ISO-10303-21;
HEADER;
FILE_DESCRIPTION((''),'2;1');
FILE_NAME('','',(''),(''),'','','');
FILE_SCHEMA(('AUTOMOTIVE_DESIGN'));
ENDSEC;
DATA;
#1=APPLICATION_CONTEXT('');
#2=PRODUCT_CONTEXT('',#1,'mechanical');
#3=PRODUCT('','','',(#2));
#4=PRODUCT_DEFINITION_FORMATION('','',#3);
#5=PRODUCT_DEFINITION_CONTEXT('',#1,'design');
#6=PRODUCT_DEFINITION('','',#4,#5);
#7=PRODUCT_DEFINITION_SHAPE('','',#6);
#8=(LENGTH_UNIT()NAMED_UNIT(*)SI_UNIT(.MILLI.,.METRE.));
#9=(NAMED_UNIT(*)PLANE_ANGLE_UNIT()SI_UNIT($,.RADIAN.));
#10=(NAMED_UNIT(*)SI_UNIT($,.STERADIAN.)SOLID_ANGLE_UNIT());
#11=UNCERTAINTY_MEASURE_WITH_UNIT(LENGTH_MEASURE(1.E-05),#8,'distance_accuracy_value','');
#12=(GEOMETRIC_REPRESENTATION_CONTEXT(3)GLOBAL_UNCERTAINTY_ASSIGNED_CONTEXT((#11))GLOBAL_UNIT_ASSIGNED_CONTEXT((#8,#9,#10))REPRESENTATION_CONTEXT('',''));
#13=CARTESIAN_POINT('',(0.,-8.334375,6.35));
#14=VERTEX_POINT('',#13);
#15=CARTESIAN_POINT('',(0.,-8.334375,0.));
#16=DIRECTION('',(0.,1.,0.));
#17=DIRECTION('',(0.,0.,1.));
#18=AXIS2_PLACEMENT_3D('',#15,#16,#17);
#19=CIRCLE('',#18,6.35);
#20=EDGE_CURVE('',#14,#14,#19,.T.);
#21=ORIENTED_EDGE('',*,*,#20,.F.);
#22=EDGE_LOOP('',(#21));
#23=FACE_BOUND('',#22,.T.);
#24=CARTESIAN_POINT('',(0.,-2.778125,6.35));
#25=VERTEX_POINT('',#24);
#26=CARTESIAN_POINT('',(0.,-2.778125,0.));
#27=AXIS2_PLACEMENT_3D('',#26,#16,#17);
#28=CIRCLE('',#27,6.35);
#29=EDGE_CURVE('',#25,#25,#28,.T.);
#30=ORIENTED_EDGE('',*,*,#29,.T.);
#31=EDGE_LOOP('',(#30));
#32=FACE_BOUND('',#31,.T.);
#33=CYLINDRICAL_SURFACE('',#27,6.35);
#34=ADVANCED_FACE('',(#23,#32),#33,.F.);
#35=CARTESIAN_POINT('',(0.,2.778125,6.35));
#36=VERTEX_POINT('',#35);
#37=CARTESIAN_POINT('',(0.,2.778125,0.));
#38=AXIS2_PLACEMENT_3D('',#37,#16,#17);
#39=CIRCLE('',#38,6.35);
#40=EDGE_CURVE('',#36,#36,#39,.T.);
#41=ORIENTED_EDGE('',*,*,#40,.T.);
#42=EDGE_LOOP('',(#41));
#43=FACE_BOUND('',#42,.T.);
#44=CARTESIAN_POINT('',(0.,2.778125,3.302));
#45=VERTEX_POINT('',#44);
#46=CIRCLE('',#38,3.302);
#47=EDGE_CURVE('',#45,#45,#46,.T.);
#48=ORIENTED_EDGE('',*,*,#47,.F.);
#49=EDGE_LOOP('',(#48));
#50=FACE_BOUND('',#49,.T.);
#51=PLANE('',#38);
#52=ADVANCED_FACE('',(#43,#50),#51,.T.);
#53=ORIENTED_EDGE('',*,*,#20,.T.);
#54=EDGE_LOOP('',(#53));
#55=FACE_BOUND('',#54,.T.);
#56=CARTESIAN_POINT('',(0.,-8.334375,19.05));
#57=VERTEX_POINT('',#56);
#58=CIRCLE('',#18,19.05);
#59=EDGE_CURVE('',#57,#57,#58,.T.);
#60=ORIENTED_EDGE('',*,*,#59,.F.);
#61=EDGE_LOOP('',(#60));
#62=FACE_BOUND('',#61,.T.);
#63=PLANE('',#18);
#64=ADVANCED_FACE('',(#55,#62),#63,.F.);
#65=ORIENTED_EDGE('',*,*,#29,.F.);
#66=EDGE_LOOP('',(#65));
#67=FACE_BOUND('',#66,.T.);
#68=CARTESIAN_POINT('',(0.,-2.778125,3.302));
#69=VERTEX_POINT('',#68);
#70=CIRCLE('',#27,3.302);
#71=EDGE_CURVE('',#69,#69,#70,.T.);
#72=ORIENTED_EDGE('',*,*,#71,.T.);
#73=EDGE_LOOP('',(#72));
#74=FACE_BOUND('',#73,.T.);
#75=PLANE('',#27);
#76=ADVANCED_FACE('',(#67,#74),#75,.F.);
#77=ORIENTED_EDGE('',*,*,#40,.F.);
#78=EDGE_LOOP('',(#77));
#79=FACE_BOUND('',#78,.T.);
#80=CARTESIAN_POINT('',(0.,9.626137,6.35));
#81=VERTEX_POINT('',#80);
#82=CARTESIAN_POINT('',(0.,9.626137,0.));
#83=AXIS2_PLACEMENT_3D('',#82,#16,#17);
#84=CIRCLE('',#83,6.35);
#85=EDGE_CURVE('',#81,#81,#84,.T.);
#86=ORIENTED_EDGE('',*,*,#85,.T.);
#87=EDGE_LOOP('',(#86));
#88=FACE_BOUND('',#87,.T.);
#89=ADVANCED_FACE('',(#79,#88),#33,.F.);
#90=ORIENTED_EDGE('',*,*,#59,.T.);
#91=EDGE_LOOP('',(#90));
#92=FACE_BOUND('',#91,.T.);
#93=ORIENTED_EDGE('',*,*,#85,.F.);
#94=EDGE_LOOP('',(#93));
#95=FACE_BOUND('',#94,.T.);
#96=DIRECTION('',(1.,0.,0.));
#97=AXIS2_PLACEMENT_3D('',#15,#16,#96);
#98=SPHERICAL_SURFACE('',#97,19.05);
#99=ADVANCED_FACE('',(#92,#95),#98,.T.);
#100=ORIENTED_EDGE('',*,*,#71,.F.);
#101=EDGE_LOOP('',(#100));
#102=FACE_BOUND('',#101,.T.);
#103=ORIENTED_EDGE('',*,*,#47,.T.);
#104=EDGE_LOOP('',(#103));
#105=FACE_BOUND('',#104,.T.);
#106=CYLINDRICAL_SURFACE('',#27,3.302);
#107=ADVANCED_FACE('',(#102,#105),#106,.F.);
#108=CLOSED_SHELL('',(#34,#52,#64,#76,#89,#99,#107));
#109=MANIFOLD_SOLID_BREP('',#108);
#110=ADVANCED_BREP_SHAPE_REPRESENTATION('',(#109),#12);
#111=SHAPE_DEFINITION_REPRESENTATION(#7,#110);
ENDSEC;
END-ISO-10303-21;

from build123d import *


with BuildPart() as part:
    # Sketch1 → Revolve1 (revolve)
    with BuildSketch(Plane.XY):
        with BuildLine():
            Line((6.35, -2.778125), (6.35, -8.334375))
            Line((6.35, -8.334375), (19.05, -8.334375))
            ThreePointArc((19.05, -8.334375), (15.554259867, 2.664147628), (6.35, 9.626137242))
            Line((6.35, 9.626137242), (6.35, 8.334375))
            Line((6.35, 8.334375), (6.35, 2.778125))
            Line((6.35, 2.778125), (3.302, 2.778125))
            Line((3.302, 2.778125), (3.302, 0))
            Line((3.302, 0), (3.302, -2.778125))
            Line((3.302, -2.778125), (6.35, -2.778125))
        make_face()
    revolve(axis=Axis((0, -2.778125, 0), (0, -1, 0)))


solid = part.part
